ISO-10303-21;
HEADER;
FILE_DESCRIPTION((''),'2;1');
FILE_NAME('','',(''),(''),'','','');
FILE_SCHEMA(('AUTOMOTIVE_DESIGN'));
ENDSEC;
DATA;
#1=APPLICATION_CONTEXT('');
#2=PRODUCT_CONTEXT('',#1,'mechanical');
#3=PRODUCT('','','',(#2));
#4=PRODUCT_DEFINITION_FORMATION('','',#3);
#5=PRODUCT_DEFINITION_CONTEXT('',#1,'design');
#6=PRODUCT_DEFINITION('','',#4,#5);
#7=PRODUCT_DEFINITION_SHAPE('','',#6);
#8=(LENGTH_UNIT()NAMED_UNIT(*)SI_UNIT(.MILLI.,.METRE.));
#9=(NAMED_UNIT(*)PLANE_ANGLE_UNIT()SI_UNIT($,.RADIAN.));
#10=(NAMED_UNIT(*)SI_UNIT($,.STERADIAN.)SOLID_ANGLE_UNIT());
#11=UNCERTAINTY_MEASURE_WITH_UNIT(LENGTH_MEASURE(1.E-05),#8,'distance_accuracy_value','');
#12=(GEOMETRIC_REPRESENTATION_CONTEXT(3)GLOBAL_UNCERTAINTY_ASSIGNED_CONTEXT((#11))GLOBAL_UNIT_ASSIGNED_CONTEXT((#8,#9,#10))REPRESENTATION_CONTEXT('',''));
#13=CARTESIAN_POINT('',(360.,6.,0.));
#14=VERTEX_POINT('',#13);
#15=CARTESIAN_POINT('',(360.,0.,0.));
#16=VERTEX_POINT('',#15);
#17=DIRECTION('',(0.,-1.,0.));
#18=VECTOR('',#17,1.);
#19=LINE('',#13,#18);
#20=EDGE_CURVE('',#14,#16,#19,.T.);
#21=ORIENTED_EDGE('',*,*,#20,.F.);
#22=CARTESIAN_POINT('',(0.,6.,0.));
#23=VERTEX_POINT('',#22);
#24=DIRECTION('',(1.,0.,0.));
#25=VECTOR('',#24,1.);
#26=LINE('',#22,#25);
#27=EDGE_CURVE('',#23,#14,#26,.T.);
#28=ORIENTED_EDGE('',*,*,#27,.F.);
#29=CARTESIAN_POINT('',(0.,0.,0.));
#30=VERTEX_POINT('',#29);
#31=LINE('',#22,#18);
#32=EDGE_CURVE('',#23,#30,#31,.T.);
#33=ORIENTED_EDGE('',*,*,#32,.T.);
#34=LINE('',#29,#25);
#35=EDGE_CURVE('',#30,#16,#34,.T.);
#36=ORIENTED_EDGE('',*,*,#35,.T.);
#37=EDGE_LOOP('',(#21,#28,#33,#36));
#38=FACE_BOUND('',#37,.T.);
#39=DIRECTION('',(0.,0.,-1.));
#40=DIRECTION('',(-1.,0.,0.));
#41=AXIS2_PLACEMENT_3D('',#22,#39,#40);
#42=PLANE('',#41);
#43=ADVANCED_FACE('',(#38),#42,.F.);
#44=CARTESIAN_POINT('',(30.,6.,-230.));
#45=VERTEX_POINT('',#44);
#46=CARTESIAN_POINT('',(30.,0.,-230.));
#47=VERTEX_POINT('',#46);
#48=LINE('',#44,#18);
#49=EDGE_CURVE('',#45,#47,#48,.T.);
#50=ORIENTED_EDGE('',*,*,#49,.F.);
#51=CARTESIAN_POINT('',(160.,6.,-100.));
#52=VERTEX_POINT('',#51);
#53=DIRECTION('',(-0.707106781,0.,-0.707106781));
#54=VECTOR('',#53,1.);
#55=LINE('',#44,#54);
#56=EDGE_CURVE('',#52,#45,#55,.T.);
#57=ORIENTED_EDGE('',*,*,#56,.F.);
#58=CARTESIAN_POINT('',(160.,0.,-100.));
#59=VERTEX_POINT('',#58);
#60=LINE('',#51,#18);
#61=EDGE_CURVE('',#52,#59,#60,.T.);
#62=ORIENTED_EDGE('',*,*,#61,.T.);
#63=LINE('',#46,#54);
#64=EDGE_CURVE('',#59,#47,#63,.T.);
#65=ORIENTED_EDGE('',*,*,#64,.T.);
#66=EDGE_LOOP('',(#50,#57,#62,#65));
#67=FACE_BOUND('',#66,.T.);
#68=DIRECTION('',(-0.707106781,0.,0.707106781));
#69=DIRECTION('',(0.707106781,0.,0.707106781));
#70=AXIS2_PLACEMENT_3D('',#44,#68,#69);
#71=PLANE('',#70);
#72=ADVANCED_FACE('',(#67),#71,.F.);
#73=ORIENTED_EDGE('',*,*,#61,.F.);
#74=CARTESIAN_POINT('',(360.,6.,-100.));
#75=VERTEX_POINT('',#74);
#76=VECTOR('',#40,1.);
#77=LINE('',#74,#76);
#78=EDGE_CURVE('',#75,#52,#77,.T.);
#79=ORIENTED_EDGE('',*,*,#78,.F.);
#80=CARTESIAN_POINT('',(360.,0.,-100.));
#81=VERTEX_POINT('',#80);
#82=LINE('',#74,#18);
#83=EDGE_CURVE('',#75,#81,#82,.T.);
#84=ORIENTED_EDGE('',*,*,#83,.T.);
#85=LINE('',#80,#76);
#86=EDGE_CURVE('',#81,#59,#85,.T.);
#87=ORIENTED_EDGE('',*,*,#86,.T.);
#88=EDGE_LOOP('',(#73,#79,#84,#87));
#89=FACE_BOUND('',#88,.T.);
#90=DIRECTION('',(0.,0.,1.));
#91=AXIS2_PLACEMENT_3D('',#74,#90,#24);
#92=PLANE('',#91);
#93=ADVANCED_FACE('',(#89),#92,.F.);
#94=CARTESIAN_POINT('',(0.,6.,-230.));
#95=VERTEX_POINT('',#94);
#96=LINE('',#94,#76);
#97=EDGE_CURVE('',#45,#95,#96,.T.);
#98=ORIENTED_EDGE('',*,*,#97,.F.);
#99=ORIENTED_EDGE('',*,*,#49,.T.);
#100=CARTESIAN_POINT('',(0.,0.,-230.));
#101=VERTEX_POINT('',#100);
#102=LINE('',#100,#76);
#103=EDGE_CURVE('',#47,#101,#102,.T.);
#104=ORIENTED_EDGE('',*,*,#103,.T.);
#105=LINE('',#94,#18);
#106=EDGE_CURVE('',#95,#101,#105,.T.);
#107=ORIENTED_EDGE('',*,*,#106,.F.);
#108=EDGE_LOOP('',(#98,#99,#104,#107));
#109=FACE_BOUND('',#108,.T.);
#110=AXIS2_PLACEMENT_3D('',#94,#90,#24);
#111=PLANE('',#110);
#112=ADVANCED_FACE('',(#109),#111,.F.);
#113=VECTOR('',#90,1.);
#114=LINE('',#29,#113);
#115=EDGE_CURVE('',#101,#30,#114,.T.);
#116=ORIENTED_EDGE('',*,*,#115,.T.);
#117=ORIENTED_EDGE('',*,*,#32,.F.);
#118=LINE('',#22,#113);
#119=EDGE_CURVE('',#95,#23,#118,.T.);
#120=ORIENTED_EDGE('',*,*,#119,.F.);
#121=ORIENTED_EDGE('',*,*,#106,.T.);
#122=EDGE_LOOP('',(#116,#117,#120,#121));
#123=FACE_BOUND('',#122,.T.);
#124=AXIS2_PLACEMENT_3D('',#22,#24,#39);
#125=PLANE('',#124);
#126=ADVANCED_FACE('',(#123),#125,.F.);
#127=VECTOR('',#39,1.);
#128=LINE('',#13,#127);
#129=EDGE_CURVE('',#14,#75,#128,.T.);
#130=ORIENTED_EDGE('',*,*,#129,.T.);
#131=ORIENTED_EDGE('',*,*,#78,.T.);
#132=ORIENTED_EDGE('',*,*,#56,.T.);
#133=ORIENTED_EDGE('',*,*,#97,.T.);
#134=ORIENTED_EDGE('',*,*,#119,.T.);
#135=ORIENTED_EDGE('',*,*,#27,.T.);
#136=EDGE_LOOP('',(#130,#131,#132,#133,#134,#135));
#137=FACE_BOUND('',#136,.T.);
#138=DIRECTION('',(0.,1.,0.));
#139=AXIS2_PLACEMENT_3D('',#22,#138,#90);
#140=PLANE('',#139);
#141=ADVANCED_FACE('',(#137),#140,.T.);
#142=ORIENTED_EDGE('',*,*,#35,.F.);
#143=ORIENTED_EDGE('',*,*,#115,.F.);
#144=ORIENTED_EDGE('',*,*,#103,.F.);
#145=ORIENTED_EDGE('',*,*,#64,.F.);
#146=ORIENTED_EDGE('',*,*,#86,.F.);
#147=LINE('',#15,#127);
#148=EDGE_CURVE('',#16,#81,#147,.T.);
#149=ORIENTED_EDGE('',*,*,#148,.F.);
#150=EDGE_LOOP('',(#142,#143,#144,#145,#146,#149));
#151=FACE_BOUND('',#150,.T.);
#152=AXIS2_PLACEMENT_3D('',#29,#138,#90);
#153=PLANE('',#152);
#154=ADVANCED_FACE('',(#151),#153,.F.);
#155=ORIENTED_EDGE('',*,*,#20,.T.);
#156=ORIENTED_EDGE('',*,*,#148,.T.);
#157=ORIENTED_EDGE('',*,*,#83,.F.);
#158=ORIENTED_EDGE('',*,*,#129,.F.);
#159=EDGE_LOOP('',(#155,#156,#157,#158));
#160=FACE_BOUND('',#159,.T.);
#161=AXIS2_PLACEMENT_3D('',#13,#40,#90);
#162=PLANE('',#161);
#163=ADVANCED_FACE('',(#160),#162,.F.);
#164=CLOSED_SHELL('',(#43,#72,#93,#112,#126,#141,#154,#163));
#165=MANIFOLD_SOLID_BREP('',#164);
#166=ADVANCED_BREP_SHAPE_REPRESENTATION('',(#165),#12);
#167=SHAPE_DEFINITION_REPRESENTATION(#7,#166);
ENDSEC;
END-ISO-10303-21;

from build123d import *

# Parameters (mm, degrees)
RESSALTO_EXTRUS_O2_DEPTH = 6


with BuildPart() as part:
    # Esboço1 → Ressalto-extrusão2 (new body)
    with BuildSketch(Plane(origin=(0, 0, 0), x_dir=(1, 0, 0), z_dir=(0, 1, 0))):
        Polygon((0, 0), (0, 230), (30, 230), (160, 100), (360, 100), (360, 0), align=None)
    extrude(amount=RESSALTO_EXTRUS_O2_DEPTH)


solid = part.part
